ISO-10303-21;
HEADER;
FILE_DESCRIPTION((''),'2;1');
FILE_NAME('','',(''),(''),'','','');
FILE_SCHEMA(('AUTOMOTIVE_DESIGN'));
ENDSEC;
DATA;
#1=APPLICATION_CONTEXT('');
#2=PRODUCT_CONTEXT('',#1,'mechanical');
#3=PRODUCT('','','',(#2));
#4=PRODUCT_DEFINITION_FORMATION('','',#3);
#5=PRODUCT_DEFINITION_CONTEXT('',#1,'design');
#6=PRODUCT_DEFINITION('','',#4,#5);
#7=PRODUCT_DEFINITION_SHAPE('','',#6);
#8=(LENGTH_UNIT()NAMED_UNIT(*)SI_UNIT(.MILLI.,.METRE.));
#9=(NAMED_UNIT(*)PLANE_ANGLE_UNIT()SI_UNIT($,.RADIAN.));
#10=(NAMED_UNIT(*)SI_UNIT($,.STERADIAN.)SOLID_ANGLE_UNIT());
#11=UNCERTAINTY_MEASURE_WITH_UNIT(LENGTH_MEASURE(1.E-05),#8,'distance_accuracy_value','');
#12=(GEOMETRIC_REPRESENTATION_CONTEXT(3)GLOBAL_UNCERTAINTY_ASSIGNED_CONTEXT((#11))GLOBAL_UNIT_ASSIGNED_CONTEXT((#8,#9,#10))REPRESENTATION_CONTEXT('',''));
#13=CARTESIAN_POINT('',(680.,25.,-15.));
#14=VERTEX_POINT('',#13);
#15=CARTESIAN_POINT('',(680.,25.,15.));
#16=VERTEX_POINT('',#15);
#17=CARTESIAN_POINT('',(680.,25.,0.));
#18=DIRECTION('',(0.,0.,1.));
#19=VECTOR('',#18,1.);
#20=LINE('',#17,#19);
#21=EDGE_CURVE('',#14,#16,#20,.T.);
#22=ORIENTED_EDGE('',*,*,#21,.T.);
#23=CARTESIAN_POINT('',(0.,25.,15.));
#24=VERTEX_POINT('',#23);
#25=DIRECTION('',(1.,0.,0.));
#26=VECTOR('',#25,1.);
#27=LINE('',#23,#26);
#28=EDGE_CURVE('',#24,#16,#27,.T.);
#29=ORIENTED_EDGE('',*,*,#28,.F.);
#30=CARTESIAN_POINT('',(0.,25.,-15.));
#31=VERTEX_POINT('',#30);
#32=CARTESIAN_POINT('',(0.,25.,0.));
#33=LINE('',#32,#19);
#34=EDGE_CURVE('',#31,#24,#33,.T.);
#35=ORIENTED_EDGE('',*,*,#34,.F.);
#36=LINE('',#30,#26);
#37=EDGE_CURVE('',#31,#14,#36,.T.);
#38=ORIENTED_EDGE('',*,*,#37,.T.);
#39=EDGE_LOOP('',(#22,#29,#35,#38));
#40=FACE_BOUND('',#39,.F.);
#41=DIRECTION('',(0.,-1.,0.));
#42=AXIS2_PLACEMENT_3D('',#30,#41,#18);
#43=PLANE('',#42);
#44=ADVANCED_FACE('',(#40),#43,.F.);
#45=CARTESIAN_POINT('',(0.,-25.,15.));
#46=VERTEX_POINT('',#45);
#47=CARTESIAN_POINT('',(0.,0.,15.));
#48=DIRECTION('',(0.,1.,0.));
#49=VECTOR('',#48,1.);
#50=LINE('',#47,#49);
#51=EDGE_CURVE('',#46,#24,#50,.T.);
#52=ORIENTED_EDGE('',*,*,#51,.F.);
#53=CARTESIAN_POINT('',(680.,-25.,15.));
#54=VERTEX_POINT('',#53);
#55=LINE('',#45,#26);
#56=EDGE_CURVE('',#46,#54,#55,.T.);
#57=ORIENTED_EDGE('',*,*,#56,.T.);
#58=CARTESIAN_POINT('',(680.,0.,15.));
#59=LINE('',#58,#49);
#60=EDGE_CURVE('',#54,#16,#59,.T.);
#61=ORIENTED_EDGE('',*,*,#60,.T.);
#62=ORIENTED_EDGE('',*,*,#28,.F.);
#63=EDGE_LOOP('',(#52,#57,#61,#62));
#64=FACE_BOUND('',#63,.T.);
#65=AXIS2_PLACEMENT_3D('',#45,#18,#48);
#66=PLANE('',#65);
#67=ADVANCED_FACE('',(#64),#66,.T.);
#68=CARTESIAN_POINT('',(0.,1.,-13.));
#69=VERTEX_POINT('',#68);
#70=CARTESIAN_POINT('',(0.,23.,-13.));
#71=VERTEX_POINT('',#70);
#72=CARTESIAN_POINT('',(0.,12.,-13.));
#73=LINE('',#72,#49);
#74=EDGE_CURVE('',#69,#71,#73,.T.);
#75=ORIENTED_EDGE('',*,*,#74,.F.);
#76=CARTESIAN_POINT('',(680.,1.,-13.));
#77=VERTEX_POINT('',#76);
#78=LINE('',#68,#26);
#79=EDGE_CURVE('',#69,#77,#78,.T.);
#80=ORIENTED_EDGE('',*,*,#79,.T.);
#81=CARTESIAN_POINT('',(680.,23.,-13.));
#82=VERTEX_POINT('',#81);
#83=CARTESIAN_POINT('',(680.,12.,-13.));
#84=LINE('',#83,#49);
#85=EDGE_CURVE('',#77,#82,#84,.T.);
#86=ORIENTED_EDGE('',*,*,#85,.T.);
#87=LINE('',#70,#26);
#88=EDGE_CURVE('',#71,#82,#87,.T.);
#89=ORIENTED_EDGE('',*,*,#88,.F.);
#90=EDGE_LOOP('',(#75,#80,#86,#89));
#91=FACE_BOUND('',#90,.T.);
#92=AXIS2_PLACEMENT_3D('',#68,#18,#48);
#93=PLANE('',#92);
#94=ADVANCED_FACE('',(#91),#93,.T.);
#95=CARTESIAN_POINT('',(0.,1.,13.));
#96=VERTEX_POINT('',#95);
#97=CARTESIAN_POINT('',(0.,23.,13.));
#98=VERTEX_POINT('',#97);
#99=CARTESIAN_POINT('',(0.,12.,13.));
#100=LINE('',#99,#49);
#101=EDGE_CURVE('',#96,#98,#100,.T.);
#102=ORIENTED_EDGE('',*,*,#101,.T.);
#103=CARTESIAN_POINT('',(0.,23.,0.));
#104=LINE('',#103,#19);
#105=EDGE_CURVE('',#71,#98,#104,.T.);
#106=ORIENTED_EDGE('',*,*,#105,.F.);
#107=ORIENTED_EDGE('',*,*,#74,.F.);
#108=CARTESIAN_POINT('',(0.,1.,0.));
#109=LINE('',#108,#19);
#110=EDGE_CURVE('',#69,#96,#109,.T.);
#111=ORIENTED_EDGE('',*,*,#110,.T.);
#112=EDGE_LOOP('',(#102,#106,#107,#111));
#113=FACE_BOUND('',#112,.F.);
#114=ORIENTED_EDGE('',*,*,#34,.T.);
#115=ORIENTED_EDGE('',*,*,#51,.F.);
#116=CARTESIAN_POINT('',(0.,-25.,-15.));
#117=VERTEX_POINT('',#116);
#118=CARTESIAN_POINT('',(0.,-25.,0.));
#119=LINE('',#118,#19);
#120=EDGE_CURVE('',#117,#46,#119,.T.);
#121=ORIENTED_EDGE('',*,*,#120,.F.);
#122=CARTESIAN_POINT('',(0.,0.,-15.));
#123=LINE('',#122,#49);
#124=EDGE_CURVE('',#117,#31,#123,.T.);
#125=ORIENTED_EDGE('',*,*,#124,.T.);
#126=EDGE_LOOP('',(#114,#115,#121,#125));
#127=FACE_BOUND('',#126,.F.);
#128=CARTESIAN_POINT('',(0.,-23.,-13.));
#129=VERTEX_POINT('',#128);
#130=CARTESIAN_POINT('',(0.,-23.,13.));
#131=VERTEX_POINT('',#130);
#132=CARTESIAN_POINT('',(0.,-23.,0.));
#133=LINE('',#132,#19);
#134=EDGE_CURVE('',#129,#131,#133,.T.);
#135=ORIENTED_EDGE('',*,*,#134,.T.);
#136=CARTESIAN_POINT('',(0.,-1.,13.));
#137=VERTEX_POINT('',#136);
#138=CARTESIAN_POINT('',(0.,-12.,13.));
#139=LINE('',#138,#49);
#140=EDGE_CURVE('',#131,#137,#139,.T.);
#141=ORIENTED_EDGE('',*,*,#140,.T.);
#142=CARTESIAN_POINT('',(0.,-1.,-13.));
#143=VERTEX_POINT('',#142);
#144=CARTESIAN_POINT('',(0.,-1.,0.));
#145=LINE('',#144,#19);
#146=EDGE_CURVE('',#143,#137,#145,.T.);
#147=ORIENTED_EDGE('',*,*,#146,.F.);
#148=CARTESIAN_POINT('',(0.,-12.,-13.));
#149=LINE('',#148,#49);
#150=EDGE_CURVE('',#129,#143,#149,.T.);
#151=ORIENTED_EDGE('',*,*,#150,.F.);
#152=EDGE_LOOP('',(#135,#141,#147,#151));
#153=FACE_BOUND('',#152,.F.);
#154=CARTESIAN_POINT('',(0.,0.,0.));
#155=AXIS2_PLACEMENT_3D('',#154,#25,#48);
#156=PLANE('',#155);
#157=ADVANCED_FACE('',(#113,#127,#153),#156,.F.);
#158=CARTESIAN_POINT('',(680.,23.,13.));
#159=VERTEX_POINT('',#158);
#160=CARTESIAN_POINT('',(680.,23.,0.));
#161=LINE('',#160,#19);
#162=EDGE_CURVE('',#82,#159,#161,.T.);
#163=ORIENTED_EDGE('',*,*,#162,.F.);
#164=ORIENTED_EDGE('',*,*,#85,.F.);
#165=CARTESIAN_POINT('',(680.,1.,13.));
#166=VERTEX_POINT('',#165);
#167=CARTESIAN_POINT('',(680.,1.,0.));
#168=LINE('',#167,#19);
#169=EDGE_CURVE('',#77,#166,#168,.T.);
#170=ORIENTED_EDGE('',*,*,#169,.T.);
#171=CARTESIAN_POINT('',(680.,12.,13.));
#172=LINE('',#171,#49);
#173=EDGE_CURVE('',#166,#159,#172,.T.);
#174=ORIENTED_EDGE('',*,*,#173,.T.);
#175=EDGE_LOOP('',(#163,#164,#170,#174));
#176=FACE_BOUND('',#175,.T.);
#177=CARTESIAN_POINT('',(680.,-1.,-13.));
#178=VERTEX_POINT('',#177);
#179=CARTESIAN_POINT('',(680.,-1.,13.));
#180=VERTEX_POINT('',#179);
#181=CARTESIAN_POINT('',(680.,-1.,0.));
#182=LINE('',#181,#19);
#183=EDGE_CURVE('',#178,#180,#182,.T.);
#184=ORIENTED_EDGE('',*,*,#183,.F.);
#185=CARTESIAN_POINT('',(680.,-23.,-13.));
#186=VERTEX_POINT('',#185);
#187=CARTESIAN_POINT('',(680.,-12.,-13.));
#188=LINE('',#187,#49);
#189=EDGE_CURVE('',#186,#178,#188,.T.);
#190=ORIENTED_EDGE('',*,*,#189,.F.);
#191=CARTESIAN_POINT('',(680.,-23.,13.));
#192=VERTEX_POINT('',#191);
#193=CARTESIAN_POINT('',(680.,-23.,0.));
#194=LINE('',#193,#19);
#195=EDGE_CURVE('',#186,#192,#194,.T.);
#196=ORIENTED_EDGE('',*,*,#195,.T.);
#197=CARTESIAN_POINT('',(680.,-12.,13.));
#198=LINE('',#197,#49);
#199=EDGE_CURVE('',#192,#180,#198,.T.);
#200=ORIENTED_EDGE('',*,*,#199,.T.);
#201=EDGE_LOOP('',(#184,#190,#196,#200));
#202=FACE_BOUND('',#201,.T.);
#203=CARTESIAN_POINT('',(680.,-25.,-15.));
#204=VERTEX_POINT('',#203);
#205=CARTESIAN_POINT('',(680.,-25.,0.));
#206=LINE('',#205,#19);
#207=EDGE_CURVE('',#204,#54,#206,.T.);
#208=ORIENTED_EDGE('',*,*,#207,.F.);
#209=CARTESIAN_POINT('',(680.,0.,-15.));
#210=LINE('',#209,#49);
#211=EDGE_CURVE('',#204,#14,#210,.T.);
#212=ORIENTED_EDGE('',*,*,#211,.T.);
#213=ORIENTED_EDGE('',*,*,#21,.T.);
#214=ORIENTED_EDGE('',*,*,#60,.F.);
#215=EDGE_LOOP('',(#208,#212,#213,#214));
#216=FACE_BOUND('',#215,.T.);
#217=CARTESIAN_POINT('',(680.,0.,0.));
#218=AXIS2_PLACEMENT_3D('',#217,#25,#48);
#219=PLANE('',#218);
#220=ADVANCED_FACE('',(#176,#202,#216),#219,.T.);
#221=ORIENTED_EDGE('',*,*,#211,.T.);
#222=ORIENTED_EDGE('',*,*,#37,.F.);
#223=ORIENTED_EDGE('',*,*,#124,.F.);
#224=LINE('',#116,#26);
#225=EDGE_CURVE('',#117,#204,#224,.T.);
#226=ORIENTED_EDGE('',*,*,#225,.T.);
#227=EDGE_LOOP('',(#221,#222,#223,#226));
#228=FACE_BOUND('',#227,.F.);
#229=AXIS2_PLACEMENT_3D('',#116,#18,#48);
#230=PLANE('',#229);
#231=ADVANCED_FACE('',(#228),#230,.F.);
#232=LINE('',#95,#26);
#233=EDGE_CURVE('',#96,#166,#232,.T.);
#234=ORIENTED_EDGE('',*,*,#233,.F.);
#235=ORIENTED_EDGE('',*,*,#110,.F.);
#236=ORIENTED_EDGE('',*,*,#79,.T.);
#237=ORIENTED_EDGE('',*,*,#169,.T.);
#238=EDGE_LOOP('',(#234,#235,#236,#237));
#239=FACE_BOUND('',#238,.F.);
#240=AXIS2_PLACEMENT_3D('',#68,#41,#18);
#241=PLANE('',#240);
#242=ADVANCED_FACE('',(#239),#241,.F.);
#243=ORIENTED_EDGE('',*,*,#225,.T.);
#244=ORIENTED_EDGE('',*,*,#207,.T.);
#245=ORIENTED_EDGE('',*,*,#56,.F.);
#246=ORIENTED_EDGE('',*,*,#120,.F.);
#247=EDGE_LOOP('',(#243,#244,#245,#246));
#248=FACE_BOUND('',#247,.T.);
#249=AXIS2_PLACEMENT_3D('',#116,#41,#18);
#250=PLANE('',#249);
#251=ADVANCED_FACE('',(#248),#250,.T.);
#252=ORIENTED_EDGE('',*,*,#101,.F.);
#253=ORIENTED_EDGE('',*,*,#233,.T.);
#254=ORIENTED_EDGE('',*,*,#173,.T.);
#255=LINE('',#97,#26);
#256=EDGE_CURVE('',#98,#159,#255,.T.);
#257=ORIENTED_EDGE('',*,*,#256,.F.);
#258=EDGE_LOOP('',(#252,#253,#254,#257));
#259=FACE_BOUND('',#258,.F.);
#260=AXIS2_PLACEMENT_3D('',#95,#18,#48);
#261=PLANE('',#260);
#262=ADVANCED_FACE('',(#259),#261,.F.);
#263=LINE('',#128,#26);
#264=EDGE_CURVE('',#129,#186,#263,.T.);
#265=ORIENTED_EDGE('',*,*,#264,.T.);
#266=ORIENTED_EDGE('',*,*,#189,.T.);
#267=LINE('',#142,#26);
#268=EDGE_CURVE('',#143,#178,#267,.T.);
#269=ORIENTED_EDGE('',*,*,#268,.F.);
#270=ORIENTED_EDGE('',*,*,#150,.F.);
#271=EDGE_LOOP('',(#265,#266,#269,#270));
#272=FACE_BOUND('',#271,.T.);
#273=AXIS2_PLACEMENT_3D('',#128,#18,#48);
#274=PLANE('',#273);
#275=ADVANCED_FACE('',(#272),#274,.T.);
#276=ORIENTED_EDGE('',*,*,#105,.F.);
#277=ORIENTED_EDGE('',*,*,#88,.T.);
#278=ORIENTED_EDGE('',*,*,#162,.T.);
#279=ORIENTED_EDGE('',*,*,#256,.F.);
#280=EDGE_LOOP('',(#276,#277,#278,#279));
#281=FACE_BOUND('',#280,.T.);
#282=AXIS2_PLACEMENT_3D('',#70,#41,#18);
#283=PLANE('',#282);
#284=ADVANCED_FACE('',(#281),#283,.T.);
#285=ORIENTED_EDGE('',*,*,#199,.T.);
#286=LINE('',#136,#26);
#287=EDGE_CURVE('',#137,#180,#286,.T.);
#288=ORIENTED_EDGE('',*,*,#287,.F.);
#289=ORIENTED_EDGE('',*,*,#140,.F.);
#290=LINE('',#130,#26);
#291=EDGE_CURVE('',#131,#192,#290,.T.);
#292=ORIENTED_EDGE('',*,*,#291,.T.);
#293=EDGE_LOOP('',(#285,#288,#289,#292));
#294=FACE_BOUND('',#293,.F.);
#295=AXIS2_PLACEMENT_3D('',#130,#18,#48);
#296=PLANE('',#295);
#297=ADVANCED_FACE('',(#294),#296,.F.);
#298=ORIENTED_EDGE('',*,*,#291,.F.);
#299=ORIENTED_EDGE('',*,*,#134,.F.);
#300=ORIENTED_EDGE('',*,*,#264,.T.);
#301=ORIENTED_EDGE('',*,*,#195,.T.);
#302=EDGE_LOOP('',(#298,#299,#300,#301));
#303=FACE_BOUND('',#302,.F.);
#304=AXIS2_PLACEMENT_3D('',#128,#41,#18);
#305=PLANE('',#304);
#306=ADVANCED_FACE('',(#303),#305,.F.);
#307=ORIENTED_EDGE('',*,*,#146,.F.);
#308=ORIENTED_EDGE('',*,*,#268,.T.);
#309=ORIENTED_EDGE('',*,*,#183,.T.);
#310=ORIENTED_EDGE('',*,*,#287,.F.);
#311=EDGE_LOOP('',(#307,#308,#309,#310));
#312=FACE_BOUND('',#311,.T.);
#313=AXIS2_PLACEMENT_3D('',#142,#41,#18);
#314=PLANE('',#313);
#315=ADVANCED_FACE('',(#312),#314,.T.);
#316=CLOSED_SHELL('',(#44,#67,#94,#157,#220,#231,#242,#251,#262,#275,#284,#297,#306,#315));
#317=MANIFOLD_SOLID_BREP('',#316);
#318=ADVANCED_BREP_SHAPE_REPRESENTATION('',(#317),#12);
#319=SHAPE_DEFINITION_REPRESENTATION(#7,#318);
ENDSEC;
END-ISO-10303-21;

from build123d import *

# Parameters (mm, degrees)
F0_W     = 50
F0_H     = 30
F0_W_2   = 22
F0_H_2   = 26
F1_DEPTH = 680


with BuildPart() as f1:
    # F0 (on Right) → F1 (new body)
    with BuildSketch(Plane.YZ):
        Rectangle(F0_W, F0_H)
        with Locations((-12, 0)):
            Rectangle(F0_W_2, F0_H_2, mode=Mode.SUBTRACT)
        with Locations((12, 0)):
            Rectangle(F0_W_2, F0_H_2, mode=Mode.SUBTRACT)
    extrude(amount=F1_DEPTH)


solid = f1.part
